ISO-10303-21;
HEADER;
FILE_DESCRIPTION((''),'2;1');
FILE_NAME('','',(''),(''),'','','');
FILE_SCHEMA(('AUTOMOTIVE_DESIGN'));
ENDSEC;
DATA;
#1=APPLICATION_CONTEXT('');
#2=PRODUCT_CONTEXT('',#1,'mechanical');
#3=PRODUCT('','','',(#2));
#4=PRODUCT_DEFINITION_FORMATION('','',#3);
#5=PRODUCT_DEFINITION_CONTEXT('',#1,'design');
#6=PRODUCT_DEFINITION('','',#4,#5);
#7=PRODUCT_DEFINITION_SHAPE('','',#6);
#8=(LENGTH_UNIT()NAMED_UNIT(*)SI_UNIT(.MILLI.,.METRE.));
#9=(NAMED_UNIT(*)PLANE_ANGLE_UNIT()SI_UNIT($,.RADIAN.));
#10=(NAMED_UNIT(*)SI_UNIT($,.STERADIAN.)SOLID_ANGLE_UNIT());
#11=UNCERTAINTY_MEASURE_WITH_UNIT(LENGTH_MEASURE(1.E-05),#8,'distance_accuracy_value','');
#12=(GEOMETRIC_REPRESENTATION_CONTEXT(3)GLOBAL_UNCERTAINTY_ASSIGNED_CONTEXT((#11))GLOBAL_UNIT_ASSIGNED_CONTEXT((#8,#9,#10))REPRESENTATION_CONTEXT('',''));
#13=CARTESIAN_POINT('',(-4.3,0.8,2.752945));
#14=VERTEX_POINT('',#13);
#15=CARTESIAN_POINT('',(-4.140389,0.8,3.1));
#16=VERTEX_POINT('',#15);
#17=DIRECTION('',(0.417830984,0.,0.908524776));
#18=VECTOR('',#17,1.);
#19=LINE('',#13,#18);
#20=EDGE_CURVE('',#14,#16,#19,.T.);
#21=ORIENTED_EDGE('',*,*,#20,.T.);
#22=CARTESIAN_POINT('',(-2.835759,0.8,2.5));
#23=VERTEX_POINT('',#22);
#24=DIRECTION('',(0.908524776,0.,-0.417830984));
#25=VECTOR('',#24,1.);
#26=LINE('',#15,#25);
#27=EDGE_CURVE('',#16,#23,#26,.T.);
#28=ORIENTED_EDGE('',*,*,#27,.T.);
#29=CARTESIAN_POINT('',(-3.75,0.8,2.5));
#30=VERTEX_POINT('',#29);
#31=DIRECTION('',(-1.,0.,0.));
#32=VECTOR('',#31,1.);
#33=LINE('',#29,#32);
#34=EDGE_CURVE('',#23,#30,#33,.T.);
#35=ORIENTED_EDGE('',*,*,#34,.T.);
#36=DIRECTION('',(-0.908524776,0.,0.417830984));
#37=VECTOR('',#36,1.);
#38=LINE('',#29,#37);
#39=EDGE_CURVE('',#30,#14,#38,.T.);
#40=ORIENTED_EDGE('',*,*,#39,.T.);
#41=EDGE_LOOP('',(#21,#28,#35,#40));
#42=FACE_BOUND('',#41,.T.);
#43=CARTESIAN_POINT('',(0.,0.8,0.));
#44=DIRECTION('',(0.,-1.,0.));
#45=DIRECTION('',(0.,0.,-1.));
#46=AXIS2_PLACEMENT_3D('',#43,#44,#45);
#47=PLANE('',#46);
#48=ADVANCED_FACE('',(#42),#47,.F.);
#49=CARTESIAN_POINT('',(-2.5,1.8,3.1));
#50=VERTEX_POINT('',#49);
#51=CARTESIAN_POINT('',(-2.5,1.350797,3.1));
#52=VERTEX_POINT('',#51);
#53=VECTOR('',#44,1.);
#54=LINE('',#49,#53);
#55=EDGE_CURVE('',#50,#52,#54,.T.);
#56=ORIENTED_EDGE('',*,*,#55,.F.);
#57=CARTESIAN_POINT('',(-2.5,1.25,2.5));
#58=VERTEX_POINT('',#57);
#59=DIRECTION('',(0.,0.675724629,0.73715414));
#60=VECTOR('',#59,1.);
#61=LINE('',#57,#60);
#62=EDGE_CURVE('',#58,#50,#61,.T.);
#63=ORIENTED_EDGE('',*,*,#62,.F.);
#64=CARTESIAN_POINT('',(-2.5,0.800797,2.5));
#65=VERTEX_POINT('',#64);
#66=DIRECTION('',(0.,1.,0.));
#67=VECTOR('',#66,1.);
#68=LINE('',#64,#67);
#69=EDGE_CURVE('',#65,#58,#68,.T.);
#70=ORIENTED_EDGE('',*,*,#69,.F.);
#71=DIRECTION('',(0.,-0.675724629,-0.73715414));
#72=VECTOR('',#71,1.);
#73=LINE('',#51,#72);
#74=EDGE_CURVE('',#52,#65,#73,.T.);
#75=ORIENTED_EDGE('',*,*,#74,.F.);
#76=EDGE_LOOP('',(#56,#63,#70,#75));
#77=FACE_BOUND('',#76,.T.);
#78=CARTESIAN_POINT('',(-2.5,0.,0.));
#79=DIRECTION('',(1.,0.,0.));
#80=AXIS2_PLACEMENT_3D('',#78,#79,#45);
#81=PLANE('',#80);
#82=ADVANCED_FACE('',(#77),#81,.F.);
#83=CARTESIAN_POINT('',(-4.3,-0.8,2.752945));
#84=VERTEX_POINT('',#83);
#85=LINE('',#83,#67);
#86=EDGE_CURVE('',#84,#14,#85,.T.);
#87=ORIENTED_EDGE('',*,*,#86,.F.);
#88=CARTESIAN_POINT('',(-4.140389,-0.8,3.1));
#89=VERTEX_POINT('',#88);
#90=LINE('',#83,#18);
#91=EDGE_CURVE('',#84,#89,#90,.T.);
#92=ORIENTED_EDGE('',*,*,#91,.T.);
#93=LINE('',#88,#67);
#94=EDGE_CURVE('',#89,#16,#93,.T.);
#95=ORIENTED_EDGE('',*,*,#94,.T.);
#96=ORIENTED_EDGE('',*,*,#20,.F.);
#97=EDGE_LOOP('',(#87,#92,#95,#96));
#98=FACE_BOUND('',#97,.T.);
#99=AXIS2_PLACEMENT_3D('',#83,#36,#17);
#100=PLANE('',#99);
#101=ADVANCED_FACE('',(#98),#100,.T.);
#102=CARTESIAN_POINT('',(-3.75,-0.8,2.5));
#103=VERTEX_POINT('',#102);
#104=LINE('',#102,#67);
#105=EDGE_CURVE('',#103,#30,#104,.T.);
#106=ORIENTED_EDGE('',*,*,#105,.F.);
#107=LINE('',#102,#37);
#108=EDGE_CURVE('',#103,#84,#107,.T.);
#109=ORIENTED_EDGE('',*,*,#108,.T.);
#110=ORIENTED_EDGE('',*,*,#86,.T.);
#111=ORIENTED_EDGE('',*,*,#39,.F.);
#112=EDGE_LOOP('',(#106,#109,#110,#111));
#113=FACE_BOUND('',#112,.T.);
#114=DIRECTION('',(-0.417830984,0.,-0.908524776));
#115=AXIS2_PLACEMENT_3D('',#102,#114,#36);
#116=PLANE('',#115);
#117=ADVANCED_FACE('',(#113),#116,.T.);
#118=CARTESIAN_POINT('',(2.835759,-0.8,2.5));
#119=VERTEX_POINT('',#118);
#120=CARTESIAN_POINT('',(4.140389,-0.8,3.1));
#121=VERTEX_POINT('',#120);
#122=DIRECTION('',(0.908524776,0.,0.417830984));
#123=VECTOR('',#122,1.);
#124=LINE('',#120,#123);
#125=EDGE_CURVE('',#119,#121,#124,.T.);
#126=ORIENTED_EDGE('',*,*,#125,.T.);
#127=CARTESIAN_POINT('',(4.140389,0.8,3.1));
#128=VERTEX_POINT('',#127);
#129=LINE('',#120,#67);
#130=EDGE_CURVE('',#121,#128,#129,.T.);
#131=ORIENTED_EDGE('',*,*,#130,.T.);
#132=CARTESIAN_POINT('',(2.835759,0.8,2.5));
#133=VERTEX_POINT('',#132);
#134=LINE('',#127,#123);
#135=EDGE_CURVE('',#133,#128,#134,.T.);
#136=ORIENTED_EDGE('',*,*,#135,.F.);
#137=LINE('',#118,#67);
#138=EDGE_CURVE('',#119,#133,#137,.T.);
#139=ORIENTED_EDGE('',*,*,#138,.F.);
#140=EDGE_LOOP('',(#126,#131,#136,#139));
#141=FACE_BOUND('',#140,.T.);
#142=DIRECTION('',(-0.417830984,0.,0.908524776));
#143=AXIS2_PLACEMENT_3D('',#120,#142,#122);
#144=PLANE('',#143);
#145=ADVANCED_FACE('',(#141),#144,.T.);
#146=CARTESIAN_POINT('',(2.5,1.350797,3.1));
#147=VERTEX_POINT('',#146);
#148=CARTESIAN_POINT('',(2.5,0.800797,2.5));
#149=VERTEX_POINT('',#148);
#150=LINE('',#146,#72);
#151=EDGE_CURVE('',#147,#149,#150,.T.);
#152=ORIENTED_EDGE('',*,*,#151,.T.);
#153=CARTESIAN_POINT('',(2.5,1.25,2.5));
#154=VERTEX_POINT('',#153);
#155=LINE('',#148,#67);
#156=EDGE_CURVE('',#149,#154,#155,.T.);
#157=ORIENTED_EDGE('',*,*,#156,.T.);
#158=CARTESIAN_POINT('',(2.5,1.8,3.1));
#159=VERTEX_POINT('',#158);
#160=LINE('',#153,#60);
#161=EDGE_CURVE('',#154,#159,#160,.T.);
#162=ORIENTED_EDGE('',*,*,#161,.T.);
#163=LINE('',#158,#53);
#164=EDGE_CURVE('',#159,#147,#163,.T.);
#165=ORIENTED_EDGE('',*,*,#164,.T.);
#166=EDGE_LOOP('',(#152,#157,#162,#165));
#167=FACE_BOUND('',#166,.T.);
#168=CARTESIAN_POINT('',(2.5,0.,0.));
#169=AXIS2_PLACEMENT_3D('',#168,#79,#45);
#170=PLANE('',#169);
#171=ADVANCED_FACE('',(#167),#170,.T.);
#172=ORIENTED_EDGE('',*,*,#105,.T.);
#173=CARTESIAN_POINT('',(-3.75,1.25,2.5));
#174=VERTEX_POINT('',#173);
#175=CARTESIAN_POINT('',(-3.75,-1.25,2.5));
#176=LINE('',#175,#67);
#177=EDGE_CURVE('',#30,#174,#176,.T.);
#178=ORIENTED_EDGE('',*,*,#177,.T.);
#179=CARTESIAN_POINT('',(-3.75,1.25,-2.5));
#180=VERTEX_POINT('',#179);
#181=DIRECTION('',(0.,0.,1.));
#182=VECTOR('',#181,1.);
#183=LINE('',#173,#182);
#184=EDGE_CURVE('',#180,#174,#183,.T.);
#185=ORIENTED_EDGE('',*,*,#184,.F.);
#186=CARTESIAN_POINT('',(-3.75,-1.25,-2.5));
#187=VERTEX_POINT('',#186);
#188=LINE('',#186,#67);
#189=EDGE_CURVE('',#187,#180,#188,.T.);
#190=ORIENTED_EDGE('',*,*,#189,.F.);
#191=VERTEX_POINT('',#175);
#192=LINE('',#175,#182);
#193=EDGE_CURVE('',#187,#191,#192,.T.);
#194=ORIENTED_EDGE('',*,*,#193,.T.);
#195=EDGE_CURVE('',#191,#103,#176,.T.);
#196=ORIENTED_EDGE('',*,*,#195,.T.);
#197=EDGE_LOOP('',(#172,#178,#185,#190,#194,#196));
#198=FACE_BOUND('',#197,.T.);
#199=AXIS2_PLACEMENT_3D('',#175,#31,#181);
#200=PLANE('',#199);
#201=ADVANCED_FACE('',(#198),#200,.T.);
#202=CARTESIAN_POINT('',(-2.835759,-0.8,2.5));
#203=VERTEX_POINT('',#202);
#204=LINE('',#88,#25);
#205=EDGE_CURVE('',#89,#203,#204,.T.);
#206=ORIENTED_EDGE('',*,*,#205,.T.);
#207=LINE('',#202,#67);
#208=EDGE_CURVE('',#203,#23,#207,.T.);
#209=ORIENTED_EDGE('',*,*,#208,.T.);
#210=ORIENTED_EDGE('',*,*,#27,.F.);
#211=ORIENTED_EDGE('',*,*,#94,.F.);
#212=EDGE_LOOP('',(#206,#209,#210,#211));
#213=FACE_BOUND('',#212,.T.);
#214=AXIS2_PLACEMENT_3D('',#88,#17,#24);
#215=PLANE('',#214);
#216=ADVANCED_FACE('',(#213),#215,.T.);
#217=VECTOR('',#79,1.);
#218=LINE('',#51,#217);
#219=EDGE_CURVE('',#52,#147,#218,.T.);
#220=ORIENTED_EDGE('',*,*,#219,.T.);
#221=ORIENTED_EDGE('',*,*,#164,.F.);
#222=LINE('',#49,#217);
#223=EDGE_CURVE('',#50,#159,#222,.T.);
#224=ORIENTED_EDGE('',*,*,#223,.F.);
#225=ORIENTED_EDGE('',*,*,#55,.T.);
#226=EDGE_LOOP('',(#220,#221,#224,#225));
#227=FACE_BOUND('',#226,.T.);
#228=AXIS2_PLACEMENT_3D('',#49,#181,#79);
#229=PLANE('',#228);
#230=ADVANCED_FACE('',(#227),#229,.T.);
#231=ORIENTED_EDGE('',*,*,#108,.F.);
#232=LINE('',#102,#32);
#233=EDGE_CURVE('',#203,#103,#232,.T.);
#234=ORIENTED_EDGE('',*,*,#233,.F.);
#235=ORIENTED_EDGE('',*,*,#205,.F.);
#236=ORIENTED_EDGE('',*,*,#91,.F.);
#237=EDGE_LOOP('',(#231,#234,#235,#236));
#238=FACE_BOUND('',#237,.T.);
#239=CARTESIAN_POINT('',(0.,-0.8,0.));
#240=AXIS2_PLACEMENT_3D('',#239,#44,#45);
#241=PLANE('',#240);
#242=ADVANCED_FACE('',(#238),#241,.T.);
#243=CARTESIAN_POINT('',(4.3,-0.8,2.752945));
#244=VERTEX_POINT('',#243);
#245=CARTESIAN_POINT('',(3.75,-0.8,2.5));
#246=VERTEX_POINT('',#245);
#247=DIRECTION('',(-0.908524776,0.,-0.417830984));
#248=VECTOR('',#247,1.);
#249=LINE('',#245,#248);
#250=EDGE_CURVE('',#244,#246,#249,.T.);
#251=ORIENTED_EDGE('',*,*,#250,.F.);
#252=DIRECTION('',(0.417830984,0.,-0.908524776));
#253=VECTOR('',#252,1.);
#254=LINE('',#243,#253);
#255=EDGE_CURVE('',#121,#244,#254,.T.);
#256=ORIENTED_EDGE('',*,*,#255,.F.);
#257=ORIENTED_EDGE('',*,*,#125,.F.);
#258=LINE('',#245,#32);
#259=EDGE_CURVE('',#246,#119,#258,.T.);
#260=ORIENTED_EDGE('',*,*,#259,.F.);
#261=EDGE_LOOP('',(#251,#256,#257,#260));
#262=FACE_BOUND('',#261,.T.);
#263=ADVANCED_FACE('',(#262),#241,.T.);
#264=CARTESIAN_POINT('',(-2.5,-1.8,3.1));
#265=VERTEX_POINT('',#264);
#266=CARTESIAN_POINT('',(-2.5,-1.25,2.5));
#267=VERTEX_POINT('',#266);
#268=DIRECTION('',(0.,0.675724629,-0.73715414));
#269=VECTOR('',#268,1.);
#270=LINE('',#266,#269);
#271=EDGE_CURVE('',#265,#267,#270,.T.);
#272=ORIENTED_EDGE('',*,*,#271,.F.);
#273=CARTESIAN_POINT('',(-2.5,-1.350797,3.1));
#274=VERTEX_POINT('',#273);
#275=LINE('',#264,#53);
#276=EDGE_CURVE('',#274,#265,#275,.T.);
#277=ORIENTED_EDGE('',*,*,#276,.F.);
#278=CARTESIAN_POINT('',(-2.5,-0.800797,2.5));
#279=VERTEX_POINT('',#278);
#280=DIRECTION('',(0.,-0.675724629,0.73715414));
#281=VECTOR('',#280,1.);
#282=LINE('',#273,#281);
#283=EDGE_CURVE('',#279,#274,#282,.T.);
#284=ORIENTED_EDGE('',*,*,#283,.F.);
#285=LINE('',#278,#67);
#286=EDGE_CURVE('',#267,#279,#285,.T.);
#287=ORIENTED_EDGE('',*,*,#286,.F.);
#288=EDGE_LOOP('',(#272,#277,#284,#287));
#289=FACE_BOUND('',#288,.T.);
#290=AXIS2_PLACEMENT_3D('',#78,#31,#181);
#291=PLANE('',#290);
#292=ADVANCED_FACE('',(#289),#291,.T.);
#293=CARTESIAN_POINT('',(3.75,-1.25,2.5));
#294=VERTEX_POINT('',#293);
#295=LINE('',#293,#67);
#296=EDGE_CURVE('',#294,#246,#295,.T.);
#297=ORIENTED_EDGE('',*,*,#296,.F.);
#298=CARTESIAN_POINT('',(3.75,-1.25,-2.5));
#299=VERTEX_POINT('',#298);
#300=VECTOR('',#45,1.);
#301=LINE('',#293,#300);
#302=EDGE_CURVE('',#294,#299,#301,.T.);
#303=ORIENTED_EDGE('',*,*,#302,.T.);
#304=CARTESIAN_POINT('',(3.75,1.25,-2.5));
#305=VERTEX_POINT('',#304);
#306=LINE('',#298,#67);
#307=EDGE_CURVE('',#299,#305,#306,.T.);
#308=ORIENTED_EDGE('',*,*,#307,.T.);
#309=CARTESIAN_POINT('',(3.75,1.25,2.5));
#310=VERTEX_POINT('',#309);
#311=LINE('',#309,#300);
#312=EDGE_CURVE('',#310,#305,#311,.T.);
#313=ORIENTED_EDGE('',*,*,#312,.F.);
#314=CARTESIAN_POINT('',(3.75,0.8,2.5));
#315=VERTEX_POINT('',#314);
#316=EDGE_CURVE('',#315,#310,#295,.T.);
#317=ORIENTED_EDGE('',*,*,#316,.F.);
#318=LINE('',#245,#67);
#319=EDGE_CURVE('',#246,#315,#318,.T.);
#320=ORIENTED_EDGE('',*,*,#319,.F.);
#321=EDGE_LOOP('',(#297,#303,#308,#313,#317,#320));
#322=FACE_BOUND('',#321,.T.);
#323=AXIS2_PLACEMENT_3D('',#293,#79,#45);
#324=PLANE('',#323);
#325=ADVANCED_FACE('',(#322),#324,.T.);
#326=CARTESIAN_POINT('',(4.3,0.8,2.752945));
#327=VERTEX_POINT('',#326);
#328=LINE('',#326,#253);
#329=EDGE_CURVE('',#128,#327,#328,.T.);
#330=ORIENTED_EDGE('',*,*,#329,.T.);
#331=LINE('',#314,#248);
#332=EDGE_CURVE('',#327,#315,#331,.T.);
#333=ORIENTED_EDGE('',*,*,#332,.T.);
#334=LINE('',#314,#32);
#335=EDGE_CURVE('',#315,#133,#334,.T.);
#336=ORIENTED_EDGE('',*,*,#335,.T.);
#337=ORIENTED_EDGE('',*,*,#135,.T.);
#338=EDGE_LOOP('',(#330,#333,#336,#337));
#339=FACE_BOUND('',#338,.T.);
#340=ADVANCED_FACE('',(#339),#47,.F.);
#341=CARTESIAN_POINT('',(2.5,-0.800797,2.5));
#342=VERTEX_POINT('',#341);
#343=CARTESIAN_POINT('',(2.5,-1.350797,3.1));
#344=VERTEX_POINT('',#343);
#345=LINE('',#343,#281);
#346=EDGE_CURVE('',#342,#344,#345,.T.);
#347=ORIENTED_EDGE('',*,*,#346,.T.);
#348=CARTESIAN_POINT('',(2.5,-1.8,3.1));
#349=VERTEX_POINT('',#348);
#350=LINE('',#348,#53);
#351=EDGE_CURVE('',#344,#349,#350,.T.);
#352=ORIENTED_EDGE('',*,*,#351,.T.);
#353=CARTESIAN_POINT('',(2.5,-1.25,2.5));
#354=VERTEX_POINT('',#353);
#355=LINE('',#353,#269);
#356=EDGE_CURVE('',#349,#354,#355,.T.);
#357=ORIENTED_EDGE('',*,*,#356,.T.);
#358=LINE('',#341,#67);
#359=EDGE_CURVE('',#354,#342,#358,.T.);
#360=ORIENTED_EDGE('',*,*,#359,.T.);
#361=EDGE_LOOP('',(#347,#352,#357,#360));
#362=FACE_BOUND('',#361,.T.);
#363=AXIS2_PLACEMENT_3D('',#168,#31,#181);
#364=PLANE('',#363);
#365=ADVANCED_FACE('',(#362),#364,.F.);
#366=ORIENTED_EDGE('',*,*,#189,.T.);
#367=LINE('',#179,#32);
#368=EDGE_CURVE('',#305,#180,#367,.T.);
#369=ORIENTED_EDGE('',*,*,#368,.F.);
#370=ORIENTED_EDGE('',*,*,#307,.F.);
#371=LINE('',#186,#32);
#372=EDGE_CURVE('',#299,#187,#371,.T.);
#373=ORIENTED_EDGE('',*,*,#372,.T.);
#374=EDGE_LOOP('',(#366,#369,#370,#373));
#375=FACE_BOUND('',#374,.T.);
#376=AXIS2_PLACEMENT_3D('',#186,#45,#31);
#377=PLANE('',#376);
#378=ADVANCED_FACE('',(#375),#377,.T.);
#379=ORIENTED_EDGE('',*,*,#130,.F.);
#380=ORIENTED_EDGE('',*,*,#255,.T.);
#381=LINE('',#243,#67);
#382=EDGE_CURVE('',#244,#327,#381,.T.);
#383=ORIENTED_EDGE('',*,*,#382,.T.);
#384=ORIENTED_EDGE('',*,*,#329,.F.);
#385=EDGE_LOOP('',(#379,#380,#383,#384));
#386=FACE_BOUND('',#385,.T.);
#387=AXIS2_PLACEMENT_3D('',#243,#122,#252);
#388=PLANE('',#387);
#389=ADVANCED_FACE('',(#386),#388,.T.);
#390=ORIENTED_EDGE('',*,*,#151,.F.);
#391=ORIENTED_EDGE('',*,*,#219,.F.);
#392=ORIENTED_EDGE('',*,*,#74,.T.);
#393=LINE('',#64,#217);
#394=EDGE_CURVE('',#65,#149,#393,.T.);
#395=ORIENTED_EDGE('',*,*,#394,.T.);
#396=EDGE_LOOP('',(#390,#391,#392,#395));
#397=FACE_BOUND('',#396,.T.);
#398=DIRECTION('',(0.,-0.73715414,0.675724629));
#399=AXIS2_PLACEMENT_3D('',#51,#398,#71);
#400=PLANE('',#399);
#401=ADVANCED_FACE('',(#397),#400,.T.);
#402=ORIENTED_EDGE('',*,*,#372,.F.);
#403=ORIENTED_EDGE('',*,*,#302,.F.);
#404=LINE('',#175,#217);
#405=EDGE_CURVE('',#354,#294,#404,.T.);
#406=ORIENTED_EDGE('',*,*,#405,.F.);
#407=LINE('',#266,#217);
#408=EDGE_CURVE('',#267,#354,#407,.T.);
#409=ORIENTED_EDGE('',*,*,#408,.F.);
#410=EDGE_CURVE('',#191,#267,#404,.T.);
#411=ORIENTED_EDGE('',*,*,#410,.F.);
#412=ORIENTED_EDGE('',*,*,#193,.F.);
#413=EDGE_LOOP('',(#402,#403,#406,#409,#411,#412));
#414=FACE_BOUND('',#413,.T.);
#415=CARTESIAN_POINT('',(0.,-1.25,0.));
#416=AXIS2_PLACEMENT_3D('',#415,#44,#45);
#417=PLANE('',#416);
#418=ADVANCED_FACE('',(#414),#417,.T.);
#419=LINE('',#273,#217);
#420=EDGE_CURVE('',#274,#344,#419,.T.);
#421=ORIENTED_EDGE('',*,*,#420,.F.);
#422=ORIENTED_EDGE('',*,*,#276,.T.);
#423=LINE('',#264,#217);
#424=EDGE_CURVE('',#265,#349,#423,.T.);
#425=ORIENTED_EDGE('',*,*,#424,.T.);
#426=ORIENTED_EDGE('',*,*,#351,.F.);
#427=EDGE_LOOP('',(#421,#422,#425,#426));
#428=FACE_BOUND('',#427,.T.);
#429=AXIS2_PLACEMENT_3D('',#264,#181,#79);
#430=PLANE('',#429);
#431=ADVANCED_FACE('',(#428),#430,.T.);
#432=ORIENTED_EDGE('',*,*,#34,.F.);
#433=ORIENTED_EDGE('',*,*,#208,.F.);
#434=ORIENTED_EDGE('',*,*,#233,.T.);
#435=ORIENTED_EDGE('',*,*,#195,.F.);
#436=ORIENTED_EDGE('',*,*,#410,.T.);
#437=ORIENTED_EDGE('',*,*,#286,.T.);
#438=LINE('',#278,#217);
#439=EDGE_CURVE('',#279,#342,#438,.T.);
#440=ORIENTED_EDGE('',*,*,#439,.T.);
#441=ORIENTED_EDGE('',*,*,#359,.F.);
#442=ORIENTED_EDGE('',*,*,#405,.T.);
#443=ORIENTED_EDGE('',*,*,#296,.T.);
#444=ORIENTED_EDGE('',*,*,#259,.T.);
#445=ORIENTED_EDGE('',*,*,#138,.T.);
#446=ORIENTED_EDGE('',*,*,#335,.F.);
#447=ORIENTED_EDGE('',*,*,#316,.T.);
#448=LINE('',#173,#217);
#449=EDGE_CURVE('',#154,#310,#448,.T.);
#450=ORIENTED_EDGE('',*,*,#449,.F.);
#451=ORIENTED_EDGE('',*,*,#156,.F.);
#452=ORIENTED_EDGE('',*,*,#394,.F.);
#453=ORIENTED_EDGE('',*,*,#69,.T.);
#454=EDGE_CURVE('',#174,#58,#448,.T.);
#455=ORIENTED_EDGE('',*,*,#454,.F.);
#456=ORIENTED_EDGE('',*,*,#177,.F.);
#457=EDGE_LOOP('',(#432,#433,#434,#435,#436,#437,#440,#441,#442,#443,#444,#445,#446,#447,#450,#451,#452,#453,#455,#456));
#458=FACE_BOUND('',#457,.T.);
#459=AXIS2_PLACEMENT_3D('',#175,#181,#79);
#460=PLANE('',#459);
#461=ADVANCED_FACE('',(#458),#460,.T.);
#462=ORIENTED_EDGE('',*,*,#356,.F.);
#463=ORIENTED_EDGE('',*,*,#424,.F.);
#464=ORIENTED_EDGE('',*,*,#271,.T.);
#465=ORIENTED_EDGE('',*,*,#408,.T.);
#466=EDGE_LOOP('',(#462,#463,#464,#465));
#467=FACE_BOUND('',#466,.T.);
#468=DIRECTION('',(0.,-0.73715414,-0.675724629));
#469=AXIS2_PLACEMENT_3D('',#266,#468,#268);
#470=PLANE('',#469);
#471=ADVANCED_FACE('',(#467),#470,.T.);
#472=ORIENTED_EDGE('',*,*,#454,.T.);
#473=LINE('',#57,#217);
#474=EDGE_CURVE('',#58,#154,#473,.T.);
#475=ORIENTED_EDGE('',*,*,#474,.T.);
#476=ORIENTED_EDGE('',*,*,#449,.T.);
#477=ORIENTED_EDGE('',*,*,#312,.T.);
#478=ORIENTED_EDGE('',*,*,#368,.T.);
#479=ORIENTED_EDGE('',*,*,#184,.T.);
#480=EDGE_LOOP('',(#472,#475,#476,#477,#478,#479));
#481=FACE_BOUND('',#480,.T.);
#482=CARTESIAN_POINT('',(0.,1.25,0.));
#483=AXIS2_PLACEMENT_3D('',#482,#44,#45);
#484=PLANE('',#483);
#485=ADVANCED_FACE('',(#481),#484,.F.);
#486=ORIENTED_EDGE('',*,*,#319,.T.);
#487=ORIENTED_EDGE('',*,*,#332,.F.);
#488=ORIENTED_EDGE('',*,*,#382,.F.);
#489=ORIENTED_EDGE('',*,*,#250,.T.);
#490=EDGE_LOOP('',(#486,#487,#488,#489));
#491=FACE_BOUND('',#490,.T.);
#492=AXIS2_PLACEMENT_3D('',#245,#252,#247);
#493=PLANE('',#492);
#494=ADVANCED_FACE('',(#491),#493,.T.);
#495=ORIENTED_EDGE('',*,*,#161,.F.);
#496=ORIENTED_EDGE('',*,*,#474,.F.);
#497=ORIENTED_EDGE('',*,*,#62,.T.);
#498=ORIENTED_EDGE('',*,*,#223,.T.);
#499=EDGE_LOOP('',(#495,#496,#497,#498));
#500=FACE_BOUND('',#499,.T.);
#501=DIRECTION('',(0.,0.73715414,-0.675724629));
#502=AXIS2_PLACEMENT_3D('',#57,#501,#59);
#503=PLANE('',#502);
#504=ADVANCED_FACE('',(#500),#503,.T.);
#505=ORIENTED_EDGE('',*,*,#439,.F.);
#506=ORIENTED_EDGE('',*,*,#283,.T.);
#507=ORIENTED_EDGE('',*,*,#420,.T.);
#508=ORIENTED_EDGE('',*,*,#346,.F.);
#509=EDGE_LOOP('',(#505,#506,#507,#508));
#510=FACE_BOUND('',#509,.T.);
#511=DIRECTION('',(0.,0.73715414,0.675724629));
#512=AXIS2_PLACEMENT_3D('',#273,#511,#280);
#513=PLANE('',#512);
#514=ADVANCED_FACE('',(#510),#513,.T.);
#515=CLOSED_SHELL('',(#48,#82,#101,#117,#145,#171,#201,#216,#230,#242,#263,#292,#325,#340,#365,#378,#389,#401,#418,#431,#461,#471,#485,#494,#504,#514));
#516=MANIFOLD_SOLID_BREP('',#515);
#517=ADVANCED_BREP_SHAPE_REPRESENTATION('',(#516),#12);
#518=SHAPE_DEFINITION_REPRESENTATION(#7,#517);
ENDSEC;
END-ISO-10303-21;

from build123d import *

# Parameters (mm, degrees)
BOSS_EXTRUDE1_DEPTH      = 1.25
BOSS_EXTRUDE1_DEPTH_BACK = 1.25
SKETCH1_W                = 7.5
SKETCH1_H                = 5
BOSS_EXTRUDE2_DEPTH      = 0.8
BOSS_EXTRUDE2_DEPTH_BACK = 0.8
BOSS_EXTRUDE3_DEPTH      = 2.5
BOSS_EXTRUDE3_DEPTH_BACK = 2.5


with BuildPart() as part:
    # Sketch1 → Boss-Extrude1 (new, two sides: drawn at the far end of the back side and taken through both)
    with BuildSketch(Plane(origin=(0, 0, 0), x_dir=(1, 0, 0), z_dir=(0, 1, 0)).offset(-BOSS_EXTRUDE1_DEPTH_BACK)):
        Rectangle(SKETCH1_W, SKETCH1_H)
    extrude(amount=BOSS_EXTRUDE1_DEPTH + BOSS_EXTRUDE1_DEPTH_BACK)

    # Sketch3 → Boss-Extrude2 (add, two sides: drawn at the far end of the back side and taken through both)
    with BuildSketch(Plane(origin=(0, 0, 0), x_dir=(1, 0, 0), z_dir=(0, 1, 0)).offset(-BOSS_EXTRUDE2_DEPTH_BACK)):
        Polygon((-3.75, -2.5), (-4.3, -2.752945266), (-4.14038936, -3.1), (-2.835759292, -2.5), align=None)
        Polygon((3.75, -2.5), (2.835759292, -2.5), (4.14038936, -3.1), (4.3, -2.752945266), align=None)
    extrude(amount=BOSS_EXTRUDE2_DEPTH + BOSS_EXTRUDE2_DEPTH_BACK)

    # Sketch5 → Boss-Extrude3 (add, two sides: drawn at the far end of the back side and taken through both)
    with BuildSketch(Plane(origin=(0, 0, 0), x_dir=(0, 0, -1), z_dir=(1, 0, 0)).offset(-BOSS_EXTRUDE3_DEPTH_BACK)):
        Polygon((-2.5, 1.25), (-3.1, 1.8), (-3.1, 1.350797038), (-2.5, 0.800797038), align=None)
        Polygon((-2.5, -0.800797038), (-2.5, -1.25), (-3.1, -1.8), (-3.1, -1.350797038), align=None)
    extrude(amount=BOSS_EXTRUDE3_DEPTH + BOSS_EXTRUDE3_DEPTH_BACK)


solid = part.part
